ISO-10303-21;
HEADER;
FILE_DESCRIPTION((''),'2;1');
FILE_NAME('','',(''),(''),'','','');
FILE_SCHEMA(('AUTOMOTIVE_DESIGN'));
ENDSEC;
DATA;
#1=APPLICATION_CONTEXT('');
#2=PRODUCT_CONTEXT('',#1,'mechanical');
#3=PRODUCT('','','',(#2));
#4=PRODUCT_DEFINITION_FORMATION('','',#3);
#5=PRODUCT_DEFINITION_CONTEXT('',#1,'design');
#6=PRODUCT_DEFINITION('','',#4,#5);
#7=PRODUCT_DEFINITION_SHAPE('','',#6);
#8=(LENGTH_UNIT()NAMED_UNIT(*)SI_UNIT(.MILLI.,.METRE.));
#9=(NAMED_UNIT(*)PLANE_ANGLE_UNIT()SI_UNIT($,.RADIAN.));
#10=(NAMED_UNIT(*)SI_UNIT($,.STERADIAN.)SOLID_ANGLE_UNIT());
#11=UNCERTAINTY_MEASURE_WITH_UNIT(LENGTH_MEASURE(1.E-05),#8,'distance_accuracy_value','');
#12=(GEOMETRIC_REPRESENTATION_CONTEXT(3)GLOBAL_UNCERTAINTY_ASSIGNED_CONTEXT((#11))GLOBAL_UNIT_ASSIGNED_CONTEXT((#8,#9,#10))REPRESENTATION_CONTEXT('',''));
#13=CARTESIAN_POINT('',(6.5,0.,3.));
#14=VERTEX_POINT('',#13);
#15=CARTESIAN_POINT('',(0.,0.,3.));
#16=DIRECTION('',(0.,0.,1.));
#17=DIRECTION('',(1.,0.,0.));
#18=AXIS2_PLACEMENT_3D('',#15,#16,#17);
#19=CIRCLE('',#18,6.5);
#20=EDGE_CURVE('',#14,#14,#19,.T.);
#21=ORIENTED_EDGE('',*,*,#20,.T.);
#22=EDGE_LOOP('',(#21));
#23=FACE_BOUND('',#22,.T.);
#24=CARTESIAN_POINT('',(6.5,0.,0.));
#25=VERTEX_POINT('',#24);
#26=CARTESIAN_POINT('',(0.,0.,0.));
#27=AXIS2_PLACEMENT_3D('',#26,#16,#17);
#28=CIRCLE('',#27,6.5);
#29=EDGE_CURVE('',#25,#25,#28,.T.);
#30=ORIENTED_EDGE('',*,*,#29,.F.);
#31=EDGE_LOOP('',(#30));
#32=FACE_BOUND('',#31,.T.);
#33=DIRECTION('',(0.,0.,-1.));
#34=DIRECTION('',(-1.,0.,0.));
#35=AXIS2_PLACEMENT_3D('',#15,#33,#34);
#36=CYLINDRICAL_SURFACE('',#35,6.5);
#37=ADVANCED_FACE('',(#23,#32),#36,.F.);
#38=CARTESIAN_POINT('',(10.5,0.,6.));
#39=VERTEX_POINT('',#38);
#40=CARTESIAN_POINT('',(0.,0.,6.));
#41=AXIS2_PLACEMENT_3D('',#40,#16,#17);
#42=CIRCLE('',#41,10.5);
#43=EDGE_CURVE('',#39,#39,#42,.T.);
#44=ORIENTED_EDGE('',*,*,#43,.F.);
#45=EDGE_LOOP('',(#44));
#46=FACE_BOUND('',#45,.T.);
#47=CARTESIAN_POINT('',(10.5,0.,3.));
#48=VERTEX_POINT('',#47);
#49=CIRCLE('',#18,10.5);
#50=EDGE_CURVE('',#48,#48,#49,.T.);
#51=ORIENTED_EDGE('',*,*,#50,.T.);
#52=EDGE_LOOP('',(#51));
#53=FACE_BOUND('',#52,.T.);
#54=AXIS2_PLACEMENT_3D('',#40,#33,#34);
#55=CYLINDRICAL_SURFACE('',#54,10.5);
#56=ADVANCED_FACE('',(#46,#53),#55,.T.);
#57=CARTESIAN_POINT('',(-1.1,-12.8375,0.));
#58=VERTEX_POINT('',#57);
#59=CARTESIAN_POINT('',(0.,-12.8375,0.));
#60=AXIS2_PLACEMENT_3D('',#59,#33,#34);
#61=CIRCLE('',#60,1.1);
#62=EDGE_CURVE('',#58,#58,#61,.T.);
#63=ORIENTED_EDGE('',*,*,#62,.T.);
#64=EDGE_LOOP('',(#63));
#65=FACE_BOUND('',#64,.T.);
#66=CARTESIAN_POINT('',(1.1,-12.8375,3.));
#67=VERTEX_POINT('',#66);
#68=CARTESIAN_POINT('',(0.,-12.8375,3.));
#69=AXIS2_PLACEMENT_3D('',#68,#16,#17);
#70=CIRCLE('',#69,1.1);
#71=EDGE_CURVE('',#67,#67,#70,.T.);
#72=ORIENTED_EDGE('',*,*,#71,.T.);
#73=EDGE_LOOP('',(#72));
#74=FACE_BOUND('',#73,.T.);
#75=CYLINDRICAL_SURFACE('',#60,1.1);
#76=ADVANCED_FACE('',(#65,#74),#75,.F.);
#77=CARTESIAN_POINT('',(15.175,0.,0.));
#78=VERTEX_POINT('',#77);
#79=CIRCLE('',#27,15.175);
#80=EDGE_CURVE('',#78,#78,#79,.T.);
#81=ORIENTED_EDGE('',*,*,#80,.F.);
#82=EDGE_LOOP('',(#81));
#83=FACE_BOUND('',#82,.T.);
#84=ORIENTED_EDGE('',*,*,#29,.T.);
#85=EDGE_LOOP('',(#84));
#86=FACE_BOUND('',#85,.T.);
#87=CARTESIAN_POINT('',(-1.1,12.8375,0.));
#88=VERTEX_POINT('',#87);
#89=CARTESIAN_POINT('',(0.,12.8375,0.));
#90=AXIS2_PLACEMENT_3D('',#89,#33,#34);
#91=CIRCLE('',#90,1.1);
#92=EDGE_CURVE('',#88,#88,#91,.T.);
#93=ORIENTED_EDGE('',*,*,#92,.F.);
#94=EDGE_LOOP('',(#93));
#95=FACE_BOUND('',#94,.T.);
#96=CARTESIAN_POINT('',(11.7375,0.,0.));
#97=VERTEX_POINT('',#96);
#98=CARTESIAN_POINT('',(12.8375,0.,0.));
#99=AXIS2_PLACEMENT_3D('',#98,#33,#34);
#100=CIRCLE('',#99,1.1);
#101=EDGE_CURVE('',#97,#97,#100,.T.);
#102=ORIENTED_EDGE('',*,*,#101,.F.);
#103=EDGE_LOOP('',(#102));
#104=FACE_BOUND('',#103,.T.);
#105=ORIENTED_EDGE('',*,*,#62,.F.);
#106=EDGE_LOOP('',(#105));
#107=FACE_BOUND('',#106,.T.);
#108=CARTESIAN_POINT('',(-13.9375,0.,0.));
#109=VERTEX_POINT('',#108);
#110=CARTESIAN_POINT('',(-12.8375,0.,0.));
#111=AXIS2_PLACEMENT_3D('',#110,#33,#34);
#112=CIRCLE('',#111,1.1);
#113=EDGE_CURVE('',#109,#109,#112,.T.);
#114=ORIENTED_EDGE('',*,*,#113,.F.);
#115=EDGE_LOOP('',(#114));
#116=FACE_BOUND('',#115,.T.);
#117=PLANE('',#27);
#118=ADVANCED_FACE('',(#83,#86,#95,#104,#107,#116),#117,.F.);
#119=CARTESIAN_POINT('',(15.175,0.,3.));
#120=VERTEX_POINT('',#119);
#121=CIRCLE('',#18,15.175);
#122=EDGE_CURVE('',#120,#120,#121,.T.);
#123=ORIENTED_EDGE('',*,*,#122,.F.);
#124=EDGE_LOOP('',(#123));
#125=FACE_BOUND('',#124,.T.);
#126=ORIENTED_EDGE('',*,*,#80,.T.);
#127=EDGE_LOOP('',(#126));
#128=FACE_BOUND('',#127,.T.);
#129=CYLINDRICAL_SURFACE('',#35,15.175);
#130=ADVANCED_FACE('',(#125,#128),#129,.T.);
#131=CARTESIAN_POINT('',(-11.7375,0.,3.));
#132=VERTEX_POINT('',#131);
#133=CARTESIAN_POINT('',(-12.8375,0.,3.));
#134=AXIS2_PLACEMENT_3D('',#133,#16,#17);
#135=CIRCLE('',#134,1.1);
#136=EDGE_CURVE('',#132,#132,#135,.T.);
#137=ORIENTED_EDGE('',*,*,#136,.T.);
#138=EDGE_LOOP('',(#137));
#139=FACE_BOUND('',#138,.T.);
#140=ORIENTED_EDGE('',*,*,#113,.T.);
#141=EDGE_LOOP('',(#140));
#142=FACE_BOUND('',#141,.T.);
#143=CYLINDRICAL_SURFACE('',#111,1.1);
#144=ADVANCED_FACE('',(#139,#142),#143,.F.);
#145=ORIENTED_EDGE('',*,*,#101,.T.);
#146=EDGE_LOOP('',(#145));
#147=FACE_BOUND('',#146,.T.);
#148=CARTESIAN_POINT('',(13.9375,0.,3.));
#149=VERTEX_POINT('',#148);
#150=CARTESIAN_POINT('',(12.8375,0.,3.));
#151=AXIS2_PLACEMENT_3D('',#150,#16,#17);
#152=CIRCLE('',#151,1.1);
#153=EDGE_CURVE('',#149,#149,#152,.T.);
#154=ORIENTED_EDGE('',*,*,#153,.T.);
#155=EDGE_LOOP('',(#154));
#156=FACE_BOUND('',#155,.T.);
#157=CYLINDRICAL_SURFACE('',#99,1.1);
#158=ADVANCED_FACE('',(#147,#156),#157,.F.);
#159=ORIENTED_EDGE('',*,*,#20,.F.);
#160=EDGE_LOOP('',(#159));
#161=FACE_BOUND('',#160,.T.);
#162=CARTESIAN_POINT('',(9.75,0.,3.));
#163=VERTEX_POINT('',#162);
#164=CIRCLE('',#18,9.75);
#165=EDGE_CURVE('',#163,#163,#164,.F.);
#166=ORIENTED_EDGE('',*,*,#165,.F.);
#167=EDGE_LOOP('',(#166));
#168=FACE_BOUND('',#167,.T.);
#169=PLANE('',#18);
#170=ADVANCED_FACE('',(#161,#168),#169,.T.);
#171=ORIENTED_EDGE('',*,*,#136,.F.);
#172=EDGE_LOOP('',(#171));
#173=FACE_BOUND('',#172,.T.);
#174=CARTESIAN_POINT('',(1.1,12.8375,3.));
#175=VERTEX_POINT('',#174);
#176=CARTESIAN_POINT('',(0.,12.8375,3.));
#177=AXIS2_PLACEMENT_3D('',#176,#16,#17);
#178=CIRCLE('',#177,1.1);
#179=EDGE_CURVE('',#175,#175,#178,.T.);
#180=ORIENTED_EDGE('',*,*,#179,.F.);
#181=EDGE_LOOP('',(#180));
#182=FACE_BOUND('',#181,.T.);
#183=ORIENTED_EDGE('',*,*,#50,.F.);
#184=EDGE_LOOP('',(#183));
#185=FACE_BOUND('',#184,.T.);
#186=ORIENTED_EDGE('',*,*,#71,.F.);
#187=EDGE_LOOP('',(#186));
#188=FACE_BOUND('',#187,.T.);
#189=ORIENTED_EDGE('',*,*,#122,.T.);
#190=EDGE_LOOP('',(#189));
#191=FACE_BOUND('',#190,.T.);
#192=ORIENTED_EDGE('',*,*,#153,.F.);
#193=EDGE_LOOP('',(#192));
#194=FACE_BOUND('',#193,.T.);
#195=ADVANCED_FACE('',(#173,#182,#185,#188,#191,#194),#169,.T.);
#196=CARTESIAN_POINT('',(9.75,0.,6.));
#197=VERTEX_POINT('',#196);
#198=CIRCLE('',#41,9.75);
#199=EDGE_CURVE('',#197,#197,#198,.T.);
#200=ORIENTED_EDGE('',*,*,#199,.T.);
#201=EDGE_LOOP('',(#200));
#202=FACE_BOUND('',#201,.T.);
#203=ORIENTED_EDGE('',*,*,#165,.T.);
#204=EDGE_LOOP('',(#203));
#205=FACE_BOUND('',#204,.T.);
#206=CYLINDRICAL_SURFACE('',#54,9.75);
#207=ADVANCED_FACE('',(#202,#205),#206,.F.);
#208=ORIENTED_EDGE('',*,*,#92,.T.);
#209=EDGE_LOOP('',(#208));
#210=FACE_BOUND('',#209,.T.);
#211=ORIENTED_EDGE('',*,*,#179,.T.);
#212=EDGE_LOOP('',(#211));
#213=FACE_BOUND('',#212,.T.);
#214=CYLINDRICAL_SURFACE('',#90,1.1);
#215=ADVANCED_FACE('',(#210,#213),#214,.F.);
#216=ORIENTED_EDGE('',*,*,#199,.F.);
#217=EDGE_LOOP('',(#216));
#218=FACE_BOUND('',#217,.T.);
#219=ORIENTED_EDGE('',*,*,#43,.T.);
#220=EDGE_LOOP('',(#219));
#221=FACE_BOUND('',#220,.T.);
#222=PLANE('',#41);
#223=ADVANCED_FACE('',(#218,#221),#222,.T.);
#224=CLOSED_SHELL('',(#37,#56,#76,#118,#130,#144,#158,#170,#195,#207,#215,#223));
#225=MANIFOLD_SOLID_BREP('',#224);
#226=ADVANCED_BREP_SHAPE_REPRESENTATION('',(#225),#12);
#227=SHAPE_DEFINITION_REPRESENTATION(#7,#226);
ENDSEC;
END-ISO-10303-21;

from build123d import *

# Parameters (mm, degrees)
SKETCH1_R                = 15.175
SKETCH1_R_2              = 6.5
BOSS_EXTRUDE1_DEPTH      = 3
SKETCH2_R                = 10.5
SKETCH2_R_2              = 9.75
BOSS_EXTRUDE2_DEPTH      = 3
M2_CLEARANCE_HOLE1_D     = 2.2
M2_CLEARANCE_HOLE1_DEPTH = 10
M2_CLEARANCE_HOLE1_TIP   = 0.660946681


with BuildPart() as part:
    # Sketch1 → Boss-Extrude1 (new body)
    with BuildSketch(Plane.XY):
        Circle(SKETCH1_R)
        Circle(SKETCH1_R_2, mode=Mode.SUBTRACT)
    extrude(amount=BOSS_EXTRUDE1_DEPTH)

    # Sketch2 → Boss-Extrude2 (add)
    with BuildSketch(Plane.XY.offset(3)):
        Circle(SKETCH2_R)
        Circle(SKETCH2_R_2, mode=Mode.SUBTRACT)
    extrude(amount=BOSS_EXTRUDE2_DEPTH)

    # M2 Clearance Hole1
    with Locations(Plane(origin=(0, 0, 0), x_dir=(-1, 0, 0), z_dir=(0, 0, -1))):
        with Locations((0, 12.8375), (12.8375, 0), (0, -12.8375), (-12.8375, 0)):
            Hole(M2_CLEARANCE_HOLE1_D / 2, depth=M2_CLEARANCE_HOLE1_DEPTH)
            with Locations((0, 0, -(M2_CLEARANCE_HOLE1_DEPTH + M2_CLEARANCE_HOLE1_TIP / 2))):  # 118° drill point
                Cone(0, M2_CLEARANCE_HOLE1_D / 2, M2_CLEARANCE_HOLE1_TIP, mode=Mode.SUBTRACT)


solid = part.part
